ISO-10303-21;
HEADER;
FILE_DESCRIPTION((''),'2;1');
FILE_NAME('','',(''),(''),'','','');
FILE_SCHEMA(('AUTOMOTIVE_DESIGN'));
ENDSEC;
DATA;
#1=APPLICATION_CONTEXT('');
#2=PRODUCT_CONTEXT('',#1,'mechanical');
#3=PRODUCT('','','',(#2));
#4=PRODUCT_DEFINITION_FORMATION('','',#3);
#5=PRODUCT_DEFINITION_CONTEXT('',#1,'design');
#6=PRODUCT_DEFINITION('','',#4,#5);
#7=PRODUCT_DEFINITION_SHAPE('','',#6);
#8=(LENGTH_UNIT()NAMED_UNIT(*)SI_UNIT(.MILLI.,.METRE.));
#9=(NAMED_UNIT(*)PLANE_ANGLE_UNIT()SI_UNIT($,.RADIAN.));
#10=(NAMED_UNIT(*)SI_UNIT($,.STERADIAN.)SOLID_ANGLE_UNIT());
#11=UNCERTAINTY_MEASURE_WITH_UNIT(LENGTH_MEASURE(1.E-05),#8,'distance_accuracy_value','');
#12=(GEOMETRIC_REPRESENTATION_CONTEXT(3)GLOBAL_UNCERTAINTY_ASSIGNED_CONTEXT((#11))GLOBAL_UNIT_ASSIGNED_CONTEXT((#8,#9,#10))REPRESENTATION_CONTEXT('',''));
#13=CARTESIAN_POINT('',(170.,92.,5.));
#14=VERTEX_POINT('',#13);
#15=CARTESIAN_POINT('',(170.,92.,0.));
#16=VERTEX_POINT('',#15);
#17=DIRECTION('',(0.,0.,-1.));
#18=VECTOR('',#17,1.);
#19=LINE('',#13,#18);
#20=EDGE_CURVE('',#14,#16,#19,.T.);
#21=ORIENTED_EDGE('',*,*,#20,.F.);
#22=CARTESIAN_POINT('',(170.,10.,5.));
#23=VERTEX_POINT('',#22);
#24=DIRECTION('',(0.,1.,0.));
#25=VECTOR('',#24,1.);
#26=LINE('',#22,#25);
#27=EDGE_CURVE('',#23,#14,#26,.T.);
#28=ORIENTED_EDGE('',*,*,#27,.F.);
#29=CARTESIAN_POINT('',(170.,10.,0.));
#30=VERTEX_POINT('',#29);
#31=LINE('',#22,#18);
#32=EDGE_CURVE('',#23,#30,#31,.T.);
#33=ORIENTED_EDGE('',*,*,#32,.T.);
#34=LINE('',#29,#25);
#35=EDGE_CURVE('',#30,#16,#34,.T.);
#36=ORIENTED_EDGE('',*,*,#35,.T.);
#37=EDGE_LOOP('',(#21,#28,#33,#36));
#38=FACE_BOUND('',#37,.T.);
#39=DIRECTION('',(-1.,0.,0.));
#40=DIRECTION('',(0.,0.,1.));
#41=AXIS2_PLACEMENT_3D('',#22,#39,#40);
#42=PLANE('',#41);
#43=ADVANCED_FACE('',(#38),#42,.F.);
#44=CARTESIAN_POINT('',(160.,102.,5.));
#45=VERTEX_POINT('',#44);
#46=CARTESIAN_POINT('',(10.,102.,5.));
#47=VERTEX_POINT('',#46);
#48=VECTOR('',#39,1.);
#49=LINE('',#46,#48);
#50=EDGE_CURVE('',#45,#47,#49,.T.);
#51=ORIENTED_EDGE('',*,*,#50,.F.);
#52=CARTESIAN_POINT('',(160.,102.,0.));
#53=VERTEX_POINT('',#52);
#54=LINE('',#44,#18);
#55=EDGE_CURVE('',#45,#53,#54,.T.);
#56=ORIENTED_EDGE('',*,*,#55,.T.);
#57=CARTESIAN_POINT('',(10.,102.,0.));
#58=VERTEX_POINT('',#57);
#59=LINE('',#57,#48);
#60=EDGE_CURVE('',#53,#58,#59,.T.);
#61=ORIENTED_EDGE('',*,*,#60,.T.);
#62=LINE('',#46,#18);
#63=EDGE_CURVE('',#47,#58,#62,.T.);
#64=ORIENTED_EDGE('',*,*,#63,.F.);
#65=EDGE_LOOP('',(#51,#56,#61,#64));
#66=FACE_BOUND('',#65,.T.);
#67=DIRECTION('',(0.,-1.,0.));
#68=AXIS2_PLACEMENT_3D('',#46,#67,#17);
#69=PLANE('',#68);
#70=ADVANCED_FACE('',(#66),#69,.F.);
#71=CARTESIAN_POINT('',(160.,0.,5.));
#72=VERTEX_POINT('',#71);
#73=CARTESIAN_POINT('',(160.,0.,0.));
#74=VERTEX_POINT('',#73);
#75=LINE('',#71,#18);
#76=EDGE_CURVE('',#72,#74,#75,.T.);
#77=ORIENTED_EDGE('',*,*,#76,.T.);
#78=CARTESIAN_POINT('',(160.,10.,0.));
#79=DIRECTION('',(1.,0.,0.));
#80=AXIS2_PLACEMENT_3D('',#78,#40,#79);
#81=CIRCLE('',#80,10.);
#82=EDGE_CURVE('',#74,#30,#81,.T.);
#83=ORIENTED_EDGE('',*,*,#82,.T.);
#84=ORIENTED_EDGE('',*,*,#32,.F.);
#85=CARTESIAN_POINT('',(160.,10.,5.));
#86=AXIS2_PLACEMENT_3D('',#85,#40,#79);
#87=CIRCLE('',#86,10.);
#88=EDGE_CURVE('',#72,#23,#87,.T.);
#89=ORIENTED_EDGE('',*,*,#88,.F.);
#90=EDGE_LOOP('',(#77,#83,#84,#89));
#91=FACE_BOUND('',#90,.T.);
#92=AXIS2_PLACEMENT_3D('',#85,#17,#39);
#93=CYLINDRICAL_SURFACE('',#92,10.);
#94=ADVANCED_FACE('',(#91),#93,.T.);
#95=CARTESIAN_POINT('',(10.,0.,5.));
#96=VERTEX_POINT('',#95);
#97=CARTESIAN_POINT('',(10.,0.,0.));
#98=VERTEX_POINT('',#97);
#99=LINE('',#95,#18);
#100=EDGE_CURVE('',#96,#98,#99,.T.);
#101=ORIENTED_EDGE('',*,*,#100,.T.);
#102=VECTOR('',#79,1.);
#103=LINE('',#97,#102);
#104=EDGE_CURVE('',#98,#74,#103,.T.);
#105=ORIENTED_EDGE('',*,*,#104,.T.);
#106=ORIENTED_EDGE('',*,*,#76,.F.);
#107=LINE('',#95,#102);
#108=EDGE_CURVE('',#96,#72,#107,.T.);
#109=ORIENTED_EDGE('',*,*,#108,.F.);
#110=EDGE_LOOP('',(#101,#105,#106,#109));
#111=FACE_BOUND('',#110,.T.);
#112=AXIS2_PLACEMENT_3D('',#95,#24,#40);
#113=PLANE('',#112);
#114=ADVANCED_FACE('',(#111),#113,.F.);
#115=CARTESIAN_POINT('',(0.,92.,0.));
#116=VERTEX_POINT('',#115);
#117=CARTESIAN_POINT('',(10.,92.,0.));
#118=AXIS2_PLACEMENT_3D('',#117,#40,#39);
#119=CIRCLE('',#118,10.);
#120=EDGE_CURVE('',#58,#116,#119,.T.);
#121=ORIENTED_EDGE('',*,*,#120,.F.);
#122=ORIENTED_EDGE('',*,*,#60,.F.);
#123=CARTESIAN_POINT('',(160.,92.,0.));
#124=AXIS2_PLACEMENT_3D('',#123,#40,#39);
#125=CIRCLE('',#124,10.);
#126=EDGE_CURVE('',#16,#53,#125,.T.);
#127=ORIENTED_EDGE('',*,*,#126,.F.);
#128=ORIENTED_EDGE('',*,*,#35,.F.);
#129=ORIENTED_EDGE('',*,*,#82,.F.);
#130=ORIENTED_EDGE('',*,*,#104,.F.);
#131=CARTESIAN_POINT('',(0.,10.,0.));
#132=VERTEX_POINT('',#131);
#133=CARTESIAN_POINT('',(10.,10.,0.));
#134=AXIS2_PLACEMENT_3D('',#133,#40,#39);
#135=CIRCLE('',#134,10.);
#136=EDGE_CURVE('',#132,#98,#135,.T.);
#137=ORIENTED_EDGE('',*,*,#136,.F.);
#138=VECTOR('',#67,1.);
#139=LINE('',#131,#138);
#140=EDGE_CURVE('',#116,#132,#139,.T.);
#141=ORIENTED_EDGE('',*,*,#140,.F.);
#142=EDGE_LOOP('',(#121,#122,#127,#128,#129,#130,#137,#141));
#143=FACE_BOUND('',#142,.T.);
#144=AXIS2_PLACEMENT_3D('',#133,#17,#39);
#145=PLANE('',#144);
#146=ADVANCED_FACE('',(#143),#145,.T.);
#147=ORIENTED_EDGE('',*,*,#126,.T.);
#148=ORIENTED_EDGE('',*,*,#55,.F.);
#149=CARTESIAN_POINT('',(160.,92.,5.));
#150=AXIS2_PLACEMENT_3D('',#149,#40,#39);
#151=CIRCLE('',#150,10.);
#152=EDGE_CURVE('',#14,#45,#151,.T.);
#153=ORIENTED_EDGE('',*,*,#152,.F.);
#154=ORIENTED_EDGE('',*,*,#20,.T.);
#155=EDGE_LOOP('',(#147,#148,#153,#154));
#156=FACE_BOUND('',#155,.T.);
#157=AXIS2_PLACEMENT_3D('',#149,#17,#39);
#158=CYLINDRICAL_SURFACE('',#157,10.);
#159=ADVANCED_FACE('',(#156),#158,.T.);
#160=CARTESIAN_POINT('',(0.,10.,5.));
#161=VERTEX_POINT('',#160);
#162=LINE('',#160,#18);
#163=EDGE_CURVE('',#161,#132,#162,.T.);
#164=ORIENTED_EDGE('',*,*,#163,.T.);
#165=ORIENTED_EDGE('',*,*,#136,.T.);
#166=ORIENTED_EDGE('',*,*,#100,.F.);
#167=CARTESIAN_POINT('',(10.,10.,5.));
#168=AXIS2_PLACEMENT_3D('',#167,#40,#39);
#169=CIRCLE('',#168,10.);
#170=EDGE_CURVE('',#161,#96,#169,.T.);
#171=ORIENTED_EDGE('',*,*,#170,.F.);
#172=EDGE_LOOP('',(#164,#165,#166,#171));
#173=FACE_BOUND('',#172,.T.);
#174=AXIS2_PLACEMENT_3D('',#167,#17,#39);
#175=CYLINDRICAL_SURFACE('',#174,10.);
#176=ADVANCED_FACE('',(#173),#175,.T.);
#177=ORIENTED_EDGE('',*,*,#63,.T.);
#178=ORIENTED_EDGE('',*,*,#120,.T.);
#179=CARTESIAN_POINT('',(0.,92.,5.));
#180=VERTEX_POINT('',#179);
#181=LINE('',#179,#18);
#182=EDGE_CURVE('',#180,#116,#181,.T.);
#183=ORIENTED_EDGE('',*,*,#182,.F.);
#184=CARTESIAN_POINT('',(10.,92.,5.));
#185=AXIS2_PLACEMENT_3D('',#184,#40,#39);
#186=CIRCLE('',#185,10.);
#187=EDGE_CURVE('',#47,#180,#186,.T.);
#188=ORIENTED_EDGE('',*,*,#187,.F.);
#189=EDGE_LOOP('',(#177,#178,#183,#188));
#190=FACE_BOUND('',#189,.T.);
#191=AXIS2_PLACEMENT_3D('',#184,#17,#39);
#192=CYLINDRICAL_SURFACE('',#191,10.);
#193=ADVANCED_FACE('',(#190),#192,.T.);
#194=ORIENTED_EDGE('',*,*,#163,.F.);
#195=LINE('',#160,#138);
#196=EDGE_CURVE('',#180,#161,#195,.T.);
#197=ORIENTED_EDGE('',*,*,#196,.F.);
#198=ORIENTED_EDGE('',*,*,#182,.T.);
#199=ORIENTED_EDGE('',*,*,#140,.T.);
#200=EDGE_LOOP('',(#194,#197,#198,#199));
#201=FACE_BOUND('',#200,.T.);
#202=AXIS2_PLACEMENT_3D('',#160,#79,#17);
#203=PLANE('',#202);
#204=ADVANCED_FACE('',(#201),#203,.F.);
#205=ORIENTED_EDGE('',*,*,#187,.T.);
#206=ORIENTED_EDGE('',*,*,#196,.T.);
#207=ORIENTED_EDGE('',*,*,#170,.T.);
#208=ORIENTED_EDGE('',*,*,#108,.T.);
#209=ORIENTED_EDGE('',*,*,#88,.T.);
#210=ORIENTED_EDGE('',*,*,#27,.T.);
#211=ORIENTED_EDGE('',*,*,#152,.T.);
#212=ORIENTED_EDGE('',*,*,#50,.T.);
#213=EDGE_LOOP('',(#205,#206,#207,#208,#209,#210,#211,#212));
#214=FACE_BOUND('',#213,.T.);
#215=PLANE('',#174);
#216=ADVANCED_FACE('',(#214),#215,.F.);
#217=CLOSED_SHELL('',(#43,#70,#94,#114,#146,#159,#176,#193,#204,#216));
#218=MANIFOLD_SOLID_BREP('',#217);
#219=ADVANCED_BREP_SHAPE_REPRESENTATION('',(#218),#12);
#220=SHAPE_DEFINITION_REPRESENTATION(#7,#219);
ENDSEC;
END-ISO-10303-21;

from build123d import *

# Parameters (mm, degrees)
EXTRUDE_1_DEPTH = 5


with BuildPart() as part:
    # 草图1 → 凸台-拉伸1 (new body)
    with BuildSketch(Plane.XY):
        with BuildLine():
            Line((10, 0), (160, 0))
            ThreePointArc((160, 0), (167.071067812, 2.928932188), (170, 10))
            Line((170, 10), (170, 92))
            ThreePointArc((170, 92), (167.071067812, 99.071067812), (160, 102))
            Line((160, 102), (10, 102))
            ThreePointArc((10, 102), (2.928932188, 99.071067812), (0, 92))
            Line((0, 92), (0, 10))
            ThreePointArc((0, 10), (2.928932188, 2.928932188), (10, 0))
        make_face()
    extrude(amount=EXTRUDE_1_DEPTH)


solid = part.part
